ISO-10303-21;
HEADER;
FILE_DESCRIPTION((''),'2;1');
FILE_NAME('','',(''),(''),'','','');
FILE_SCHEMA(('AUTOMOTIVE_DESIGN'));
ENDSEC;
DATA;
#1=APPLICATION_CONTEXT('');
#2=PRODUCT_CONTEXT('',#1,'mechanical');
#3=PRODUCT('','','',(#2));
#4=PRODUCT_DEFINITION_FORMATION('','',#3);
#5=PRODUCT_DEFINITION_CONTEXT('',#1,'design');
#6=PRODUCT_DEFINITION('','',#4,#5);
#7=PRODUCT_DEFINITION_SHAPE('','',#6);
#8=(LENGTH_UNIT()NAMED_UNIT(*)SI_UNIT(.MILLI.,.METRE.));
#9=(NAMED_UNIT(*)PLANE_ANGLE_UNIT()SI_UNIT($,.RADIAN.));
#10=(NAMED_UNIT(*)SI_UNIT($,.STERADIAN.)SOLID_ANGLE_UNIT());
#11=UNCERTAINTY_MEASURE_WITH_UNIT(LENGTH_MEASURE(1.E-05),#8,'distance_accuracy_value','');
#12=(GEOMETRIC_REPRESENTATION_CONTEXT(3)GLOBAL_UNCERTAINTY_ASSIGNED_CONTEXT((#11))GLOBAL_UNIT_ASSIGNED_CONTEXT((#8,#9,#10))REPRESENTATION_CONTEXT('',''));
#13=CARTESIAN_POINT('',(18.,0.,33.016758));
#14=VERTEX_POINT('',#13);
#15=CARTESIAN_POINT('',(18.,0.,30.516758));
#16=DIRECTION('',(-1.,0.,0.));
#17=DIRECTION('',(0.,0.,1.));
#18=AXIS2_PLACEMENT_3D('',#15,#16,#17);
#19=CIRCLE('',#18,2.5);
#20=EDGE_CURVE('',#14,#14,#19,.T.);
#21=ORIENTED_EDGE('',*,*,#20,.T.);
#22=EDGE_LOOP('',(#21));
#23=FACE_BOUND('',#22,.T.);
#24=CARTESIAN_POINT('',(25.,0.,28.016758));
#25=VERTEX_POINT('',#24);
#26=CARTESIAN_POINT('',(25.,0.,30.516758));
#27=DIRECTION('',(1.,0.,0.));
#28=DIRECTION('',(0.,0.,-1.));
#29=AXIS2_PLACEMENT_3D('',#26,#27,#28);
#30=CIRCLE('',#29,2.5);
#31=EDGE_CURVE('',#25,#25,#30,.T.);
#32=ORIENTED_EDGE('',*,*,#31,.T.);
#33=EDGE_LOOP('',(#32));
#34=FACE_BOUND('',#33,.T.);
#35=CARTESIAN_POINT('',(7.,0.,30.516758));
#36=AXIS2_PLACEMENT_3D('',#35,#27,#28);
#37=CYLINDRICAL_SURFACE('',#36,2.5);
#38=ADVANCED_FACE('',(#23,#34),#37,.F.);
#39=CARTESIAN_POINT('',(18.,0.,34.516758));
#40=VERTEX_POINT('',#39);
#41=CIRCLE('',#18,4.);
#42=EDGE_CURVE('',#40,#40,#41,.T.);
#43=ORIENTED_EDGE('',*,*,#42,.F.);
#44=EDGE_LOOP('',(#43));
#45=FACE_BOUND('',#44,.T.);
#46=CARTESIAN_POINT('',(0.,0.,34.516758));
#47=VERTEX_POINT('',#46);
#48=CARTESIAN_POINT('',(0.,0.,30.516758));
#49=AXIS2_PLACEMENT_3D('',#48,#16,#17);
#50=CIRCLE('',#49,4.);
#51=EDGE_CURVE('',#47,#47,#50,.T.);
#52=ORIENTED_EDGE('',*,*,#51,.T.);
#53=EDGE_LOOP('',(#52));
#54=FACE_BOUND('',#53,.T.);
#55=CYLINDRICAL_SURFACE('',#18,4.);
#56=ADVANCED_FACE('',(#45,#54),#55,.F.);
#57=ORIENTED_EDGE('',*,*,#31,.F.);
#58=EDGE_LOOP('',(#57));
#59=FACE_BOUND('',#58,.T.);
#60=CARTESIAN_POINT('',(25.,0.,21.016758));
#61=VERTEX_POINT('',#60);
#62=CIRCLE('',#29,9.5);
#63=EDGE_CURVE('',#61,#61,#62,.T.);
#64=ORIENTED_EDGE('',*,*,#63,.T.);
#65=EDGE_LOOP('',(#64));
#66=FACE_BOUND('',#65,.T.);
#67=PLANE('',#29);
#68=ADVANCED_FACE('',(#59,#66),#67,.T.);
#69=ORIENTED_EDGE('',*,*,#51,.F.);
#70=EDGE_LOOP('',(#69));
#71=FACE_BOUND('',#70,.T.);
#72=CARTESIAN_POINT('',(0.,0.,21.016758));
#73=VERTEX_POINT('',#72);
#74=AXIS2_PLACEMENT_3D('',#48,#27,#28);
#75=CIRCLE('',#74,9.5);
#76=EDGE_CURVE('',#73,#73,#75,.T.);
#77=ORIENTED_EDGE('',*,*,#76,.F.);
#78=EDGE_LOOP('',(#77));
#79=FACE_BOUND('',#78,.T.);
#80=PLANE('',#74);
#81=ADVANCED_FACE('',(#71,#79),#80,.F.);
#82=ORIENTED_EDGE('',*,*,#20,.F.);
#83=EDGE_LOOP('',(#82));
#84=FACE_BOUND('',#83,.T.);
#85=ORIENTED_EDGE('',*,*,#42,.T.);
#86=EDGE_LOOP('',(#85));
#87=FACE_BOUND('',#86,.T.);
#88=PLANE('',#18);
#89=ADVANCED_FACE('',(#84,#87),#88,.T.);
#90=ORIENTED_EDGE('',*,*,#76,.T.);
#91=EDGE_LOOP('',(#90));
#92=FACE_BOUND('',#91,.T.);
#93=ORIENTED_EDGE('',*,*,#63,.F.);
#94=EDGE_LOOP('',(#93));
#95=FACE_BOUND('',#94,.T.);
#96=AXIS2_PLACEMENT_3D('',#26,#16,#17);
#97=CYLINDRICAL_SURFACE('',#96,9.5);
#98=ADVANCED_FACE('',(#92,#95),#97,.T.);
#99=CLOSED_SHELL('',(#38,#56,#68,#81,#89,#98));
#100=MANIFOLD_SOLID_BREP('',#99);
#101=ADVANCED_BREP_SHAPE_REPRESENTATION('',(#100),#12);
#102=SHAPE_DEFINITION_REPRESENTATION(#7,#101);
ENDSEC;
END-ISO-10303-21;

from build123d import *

# Parameters (mm, degrees)
SKETCH_1_R          = 9.5
EXTRUDE_1_DEPTH     = 25
SKETCH_2_R          = 4
CUT_EXTRUDE_1_DEPTH = 18
SKETCH_3_R          = 2.5
CUT_EXTRUDE_2_DEPTH = 18


with BuildPart() as part:
    # 草图1 → 凸台-拉伸1 (new body)
    with BuildSketch(Plane(origin=(0, 0, 0), x_dir=(0, 0, -1), z_dir=(1, 0, 0))):
        with Locations((-30.516757785, 0)):
            Circle(SKETCH_1_R)
    extrude(amount=EXTRUDE_1_DEPTH)

    # 草图2 → 切除-拉伸1 (cut)
    with BuildSketch(Plane.ZY):
        with Locations((30.516757785, 0)):
            Circle(SKETCH_2_R)
    extrude(amount=-CUT_EXTRUDE_1_DEPTH, mode=Mode.SUBTRACT)

    # 草图3 → 切除-拉伸2 (cut)
    with BuildSketch(Plane(origin=(25, 0, 0), x_dir=(0, 0, -1), z_dir=(1, 0, 0))):
        with Locations((-30.516757785, 0)):
            Circle(SKETCH_3_R)
    extrude(amount=-CUT_EXTRUDE_2_DEPTH, mode=Mode.SUBTRACT)


solid = part.part
